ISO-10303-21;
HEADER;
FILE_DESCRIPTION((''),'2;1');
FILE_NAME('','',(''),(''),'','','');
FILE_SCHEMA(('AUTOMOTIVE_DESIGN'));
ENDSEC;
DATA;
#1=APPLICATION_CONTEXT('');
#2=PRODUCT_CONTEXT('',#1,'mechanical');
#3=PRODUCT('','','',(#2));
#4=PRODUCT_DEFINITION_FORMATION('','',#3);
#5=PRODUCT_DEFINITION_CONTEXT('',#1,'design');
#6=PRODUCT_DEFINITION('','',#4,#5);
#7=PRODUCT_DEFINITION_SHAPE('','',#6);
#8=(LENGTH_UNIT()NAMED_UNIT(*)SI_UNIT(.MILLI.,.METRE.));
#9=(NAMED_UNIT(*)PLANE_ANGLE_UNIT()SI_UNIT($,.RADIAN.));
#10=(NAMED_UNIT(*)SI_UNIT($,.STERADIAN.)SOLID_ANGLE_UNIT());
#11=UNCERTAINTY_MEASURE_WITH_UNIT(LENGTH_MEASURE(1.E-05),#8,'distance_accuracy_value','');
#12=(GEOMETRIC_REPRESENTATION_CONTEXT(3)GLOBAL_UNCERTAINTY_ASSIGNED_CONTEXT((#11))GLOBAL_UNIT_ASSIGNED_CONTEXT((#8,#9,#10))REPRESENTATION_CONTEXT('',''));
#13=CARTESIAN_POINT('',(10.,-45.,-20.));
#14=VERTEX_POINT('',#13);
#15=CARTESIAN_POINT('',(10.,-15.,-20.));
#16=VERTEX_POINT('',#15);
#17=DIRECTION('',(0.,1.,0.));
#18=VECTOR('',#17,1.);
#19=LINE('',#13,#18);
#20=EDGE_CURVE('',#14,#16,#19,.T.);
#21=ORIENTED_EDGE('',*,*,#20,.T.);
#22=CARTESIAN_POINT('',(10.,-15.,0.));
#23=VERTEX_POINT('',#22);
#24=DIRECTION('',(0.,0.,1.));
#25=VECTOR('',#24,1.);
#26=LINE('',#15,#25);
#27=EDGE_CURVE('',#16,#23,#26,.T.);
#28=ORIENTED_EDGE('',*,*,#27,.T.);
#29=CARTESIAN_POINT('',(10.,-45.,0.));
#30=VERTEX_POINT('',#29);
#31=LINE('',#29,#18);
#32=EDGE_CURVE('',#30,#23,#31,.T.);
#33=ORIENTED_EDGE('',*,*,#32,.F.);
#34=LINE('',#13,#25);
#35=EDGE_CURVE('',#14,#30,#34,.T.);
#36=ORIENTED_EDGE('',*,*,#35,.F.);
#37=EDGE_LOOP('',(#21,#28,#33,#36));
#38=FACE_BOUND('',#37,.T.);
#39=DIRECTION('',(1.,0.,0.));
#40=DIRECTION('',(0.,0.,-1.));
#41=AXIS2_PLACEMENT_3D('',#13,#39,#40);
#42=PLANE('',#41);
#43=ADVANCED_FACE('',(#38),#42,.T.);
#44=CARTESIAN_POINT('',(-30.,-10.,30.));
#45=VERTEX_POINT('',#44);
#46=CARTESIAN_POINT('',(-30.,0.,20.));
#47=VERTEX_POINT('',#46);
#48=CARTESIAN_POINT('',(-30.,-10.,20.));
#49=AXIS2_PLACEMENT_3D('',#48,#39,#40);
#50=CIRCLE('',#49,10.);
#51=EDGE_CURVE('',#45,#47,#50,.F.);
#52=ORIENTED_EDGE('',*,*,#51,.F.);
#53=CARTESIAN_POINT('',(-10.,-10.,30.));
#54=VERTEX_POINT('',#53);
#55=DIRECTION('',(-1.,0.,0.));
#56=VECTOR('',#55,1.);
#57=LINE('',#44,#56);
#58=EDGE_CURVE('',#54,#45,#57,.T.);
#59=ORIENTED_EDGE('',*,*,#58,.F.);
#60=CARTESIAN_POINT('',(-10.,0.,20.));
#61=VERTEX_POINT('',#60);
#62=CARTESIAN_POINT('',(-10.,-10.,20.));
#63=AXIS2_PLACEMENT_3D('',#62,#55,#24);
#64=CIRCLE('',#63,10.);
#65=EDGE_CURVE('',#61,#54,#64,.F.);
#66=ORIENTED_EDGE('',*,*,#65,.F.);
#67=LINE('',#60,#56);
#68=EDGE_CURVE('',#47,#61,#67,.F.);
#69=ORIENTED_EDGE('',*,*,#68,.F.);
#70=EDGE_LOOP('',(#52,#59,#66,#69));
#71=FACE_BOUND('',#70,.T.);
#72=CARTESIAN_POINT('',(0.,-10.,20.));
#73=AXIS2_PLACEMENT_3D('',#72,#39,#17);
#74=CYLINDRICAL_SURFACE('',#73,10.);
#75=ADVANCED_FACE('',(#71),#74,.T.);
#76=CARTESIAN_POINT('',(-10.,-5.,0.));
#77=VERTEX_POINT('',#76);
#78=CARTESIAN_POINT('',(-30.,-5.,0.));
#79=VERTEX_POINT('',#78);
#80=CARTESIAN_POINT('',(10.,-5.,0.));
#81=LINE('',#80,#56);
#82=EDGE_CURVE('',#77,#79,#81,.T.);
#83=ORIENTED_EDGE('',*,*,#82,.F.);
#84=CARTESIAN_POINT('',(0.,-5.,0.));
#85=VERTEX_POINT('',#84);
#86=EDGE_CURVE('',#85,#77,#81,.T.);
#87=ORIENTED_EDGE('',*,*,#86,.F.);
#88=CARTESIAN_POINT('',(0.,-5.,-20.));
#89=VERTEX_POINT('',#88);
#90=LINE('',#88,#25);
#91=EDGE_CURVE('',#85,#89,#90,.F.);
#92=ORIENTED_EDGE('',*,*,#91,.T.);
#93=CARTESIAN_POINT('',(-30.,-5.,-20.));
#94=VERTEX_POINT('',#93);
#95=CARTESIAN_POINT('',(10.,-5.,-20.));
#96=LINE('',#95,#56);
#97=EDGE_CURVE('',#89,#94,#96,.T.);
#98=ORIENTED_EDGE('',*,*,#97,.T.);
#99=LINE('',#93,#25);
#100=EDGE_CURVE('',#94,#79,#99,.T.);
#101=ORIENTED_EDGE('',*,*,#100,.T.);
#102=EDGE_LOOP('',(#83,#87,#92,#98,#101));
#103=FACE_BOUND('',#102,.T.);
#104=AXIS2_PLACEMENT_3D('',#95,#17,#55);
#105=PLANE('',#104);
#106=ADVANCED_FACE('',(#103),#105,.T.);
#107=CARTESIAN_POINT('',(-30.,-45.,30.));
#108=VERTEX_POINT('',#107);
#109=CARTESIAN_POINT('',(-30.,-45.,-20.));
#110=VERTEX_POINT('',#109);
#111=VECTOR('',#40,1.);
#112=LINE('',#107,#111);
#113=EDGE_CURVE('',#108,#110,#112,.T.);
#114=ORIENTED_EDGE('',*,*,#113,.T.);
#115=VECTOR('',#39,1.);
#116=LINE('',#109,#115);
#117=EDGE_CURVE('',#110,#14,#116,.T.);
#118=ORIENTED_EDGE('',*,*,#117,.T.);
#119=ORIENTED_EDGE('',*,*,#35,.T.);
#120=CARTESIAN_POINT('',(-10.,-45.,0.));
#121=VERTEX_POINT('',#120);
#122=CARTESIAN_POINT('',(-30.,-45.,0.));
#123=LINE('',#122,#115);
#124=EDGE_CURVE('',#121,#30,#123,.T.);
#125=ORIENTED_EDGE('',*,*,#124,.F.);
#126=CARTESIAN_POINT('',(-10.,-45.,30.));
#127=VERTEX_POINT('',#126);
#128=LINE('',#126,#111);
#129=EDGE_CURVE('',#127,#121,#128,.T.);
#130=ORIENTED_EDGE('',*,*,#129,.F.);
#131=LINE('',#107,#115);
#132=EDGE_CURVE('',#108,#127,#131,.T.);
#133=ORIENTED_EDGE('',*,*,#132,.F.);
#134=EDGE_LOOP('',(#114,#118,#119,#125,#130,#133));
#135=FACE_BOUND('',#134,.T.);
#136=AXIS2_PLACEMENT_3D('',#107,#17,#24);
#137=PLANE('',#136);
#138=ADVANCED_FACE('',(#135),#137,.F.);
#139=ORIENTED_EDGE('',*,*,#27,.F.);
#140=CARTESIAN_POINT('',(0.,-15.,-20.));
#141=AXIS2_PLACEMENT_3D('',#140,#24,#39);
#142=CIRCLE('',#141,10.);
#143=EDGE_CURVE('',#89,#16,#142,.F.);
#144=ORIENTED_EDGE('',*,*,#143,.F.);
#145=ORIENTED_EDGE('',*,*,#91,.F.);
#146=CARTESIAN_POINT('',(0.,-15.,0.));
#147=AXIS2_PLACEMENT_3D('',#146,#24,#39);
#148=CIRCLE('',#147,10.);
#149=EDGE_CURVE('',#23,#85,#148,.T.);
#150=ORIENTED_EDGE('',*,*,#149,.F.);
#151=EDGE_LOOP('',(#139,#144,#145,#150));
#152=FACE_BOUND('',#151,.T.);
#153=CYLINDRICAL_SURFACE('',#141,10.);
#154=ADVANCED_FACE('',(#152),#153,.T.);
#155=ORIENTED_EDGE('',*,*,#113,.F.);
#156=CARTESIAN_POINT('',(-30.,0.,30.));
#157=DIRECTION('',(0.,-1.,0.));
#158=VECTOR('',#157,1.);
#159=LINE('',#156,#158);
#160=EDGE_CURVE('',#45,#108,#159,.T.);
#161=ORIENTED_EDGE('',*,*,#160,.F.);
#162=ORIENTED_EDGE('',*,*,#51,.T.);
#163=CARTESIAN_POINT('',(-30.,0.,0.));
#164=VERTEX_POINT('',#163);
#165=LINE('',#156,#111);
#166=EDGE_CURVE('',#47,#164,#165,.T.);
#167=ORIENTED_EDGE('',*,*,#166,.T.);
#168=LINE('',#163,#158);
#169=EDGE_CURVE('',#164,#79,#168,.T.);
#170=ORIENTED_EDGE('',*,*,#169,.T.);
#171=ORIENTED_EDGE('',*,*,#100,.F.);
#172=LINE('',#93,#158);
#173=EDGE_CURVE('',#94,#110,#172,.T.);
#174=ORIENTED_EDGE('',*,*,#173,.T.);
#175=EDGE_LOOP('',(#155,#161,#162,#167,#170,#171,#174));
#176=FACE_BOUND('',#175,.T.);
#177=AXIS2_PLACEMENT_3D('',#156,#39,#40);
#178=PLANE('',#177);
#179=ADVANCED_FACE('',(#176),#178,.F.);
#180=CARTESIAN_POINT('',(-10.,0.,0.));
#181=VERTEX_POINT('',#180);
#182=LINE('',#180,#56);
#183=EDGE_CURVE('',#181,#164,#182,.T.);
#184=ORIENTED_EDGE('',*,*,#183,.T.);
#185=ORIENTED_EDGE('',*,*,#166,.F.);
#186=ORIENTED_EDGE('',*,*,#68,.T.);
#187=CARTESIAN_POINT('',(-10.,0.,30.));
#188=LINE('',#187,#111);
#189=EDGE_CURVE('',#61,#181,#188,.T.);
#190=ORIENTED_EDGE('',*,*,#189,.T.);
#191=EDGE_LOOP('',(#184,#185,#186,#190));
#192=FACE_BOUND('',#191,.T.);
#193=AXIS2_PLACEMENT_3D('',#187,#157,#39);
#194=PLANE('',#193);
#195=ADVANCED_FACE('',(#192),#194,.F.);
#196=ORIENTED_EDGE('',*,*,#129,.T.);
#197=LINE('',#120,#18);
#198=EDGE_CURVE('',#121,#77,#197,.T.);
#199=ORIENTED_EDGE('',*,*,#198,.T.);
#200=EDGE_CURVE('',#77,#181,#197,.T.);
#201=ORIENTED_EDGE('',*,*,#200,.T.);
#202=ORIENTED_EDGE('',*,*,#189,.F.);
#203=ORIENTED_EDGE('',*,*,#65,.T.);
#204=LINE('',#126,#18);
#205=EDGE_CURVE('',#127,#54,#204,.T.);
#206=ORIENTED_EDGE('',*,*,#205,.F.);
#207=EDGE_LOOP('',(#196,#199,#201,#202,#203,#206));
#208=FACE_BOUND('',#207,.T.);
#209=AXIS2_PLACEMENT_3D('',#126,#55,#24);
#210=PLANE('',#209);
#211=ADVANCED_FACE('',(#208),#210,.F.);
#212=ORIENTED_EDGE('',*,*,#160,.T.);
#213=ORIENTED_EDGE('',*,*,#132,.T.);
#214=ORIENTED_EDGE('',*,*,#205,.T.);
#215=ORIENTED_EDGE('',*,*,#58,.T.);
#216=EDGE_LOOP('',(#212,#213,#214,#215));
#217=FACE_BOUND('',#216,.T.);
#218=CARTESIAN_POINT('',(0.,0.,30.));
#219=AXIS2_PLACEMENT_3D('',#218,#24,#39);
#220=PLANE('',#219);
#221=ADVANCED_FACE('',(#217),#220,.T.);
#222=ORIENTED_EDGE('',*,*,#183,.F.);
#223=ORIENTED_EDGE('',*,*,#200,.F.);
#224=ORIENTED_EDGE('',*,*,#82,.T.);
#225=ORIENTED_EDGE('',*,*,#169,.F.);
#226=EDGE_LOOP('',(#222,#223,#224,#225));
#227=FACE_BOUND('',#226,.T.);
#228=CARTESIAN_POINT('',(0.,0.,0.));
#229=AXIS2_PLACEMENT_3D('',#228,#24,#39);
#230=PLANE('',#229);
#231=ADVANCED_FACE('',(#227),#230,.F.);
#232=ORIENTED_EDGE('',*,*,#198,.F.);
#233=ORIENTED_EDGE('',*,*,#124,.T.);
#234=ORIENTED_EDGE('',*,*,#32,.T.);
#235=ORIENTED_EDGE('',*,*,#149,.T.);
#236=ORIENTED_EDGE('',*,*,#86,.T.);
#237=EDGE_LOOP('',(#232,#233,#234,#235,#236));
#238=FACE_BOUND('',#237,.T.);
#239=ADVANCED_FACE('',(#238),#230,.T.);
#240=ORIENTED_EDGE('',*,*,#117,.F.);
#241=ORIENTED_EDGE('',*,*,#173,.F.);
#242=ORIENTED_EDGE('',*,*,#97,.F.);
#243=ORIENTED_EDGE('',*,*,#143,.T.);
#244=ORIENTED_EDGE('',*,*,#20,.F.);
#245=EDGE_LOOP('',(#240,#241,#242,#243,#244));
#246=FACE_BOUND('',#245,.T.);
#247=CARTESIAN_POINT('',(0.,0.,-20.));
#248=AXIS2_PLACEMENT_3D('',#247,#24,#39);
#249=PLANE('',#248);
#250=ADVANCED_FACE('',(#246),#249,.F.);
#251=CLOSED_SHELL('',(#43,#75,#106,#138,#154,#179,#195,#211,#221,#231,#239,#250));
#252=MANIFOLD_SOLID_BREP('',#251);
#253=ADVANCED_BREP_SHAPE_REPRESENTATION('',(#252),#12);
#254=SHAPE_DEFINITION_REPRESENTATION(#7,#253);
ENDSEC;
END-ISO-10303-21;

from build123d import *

# Parameters (mm, degrees)
SKETCH1_W           = 20
SKETCH1_H           = 45
BOSS_EXTRUDE1_DEPTH = 30
SKETCH2_W           = 40
SKETCH2_H           = 40
BOSS_EXTRUDE2_DEPTH = 20
FILLET1_R           = 10


with BuildPart() as part:
    # Sketch1 → Boss-Extrude1 (new body)
    with BuildSketch(Plane.XY):
        with Locations((-20, -22.5)):
            Rectangle(SKETCH1_W, SKETCH1_H)
    extrude(amount=BOSS_EXTRUDE1_DEPTH)

    # Sketch2 → Boss-Extrude2 (add)
    with BuildSketch(Plane.XY):
        with Locations((-10, -25)):
            Rectangle(SKETCH2_W, SKETCH2_H)
    extrude(amount=-BOSS_EXTRUDE2_DEPTH)

    # Fillet1
    fillet1_edges = [part.edges().sort_by_distance(p)[0] for p in [
        (10, -5, -10),
        (-20, 0, 30),
    ]]
    fillet(fillet1_edges, radius=FILLET1_R)


solid = part.part
